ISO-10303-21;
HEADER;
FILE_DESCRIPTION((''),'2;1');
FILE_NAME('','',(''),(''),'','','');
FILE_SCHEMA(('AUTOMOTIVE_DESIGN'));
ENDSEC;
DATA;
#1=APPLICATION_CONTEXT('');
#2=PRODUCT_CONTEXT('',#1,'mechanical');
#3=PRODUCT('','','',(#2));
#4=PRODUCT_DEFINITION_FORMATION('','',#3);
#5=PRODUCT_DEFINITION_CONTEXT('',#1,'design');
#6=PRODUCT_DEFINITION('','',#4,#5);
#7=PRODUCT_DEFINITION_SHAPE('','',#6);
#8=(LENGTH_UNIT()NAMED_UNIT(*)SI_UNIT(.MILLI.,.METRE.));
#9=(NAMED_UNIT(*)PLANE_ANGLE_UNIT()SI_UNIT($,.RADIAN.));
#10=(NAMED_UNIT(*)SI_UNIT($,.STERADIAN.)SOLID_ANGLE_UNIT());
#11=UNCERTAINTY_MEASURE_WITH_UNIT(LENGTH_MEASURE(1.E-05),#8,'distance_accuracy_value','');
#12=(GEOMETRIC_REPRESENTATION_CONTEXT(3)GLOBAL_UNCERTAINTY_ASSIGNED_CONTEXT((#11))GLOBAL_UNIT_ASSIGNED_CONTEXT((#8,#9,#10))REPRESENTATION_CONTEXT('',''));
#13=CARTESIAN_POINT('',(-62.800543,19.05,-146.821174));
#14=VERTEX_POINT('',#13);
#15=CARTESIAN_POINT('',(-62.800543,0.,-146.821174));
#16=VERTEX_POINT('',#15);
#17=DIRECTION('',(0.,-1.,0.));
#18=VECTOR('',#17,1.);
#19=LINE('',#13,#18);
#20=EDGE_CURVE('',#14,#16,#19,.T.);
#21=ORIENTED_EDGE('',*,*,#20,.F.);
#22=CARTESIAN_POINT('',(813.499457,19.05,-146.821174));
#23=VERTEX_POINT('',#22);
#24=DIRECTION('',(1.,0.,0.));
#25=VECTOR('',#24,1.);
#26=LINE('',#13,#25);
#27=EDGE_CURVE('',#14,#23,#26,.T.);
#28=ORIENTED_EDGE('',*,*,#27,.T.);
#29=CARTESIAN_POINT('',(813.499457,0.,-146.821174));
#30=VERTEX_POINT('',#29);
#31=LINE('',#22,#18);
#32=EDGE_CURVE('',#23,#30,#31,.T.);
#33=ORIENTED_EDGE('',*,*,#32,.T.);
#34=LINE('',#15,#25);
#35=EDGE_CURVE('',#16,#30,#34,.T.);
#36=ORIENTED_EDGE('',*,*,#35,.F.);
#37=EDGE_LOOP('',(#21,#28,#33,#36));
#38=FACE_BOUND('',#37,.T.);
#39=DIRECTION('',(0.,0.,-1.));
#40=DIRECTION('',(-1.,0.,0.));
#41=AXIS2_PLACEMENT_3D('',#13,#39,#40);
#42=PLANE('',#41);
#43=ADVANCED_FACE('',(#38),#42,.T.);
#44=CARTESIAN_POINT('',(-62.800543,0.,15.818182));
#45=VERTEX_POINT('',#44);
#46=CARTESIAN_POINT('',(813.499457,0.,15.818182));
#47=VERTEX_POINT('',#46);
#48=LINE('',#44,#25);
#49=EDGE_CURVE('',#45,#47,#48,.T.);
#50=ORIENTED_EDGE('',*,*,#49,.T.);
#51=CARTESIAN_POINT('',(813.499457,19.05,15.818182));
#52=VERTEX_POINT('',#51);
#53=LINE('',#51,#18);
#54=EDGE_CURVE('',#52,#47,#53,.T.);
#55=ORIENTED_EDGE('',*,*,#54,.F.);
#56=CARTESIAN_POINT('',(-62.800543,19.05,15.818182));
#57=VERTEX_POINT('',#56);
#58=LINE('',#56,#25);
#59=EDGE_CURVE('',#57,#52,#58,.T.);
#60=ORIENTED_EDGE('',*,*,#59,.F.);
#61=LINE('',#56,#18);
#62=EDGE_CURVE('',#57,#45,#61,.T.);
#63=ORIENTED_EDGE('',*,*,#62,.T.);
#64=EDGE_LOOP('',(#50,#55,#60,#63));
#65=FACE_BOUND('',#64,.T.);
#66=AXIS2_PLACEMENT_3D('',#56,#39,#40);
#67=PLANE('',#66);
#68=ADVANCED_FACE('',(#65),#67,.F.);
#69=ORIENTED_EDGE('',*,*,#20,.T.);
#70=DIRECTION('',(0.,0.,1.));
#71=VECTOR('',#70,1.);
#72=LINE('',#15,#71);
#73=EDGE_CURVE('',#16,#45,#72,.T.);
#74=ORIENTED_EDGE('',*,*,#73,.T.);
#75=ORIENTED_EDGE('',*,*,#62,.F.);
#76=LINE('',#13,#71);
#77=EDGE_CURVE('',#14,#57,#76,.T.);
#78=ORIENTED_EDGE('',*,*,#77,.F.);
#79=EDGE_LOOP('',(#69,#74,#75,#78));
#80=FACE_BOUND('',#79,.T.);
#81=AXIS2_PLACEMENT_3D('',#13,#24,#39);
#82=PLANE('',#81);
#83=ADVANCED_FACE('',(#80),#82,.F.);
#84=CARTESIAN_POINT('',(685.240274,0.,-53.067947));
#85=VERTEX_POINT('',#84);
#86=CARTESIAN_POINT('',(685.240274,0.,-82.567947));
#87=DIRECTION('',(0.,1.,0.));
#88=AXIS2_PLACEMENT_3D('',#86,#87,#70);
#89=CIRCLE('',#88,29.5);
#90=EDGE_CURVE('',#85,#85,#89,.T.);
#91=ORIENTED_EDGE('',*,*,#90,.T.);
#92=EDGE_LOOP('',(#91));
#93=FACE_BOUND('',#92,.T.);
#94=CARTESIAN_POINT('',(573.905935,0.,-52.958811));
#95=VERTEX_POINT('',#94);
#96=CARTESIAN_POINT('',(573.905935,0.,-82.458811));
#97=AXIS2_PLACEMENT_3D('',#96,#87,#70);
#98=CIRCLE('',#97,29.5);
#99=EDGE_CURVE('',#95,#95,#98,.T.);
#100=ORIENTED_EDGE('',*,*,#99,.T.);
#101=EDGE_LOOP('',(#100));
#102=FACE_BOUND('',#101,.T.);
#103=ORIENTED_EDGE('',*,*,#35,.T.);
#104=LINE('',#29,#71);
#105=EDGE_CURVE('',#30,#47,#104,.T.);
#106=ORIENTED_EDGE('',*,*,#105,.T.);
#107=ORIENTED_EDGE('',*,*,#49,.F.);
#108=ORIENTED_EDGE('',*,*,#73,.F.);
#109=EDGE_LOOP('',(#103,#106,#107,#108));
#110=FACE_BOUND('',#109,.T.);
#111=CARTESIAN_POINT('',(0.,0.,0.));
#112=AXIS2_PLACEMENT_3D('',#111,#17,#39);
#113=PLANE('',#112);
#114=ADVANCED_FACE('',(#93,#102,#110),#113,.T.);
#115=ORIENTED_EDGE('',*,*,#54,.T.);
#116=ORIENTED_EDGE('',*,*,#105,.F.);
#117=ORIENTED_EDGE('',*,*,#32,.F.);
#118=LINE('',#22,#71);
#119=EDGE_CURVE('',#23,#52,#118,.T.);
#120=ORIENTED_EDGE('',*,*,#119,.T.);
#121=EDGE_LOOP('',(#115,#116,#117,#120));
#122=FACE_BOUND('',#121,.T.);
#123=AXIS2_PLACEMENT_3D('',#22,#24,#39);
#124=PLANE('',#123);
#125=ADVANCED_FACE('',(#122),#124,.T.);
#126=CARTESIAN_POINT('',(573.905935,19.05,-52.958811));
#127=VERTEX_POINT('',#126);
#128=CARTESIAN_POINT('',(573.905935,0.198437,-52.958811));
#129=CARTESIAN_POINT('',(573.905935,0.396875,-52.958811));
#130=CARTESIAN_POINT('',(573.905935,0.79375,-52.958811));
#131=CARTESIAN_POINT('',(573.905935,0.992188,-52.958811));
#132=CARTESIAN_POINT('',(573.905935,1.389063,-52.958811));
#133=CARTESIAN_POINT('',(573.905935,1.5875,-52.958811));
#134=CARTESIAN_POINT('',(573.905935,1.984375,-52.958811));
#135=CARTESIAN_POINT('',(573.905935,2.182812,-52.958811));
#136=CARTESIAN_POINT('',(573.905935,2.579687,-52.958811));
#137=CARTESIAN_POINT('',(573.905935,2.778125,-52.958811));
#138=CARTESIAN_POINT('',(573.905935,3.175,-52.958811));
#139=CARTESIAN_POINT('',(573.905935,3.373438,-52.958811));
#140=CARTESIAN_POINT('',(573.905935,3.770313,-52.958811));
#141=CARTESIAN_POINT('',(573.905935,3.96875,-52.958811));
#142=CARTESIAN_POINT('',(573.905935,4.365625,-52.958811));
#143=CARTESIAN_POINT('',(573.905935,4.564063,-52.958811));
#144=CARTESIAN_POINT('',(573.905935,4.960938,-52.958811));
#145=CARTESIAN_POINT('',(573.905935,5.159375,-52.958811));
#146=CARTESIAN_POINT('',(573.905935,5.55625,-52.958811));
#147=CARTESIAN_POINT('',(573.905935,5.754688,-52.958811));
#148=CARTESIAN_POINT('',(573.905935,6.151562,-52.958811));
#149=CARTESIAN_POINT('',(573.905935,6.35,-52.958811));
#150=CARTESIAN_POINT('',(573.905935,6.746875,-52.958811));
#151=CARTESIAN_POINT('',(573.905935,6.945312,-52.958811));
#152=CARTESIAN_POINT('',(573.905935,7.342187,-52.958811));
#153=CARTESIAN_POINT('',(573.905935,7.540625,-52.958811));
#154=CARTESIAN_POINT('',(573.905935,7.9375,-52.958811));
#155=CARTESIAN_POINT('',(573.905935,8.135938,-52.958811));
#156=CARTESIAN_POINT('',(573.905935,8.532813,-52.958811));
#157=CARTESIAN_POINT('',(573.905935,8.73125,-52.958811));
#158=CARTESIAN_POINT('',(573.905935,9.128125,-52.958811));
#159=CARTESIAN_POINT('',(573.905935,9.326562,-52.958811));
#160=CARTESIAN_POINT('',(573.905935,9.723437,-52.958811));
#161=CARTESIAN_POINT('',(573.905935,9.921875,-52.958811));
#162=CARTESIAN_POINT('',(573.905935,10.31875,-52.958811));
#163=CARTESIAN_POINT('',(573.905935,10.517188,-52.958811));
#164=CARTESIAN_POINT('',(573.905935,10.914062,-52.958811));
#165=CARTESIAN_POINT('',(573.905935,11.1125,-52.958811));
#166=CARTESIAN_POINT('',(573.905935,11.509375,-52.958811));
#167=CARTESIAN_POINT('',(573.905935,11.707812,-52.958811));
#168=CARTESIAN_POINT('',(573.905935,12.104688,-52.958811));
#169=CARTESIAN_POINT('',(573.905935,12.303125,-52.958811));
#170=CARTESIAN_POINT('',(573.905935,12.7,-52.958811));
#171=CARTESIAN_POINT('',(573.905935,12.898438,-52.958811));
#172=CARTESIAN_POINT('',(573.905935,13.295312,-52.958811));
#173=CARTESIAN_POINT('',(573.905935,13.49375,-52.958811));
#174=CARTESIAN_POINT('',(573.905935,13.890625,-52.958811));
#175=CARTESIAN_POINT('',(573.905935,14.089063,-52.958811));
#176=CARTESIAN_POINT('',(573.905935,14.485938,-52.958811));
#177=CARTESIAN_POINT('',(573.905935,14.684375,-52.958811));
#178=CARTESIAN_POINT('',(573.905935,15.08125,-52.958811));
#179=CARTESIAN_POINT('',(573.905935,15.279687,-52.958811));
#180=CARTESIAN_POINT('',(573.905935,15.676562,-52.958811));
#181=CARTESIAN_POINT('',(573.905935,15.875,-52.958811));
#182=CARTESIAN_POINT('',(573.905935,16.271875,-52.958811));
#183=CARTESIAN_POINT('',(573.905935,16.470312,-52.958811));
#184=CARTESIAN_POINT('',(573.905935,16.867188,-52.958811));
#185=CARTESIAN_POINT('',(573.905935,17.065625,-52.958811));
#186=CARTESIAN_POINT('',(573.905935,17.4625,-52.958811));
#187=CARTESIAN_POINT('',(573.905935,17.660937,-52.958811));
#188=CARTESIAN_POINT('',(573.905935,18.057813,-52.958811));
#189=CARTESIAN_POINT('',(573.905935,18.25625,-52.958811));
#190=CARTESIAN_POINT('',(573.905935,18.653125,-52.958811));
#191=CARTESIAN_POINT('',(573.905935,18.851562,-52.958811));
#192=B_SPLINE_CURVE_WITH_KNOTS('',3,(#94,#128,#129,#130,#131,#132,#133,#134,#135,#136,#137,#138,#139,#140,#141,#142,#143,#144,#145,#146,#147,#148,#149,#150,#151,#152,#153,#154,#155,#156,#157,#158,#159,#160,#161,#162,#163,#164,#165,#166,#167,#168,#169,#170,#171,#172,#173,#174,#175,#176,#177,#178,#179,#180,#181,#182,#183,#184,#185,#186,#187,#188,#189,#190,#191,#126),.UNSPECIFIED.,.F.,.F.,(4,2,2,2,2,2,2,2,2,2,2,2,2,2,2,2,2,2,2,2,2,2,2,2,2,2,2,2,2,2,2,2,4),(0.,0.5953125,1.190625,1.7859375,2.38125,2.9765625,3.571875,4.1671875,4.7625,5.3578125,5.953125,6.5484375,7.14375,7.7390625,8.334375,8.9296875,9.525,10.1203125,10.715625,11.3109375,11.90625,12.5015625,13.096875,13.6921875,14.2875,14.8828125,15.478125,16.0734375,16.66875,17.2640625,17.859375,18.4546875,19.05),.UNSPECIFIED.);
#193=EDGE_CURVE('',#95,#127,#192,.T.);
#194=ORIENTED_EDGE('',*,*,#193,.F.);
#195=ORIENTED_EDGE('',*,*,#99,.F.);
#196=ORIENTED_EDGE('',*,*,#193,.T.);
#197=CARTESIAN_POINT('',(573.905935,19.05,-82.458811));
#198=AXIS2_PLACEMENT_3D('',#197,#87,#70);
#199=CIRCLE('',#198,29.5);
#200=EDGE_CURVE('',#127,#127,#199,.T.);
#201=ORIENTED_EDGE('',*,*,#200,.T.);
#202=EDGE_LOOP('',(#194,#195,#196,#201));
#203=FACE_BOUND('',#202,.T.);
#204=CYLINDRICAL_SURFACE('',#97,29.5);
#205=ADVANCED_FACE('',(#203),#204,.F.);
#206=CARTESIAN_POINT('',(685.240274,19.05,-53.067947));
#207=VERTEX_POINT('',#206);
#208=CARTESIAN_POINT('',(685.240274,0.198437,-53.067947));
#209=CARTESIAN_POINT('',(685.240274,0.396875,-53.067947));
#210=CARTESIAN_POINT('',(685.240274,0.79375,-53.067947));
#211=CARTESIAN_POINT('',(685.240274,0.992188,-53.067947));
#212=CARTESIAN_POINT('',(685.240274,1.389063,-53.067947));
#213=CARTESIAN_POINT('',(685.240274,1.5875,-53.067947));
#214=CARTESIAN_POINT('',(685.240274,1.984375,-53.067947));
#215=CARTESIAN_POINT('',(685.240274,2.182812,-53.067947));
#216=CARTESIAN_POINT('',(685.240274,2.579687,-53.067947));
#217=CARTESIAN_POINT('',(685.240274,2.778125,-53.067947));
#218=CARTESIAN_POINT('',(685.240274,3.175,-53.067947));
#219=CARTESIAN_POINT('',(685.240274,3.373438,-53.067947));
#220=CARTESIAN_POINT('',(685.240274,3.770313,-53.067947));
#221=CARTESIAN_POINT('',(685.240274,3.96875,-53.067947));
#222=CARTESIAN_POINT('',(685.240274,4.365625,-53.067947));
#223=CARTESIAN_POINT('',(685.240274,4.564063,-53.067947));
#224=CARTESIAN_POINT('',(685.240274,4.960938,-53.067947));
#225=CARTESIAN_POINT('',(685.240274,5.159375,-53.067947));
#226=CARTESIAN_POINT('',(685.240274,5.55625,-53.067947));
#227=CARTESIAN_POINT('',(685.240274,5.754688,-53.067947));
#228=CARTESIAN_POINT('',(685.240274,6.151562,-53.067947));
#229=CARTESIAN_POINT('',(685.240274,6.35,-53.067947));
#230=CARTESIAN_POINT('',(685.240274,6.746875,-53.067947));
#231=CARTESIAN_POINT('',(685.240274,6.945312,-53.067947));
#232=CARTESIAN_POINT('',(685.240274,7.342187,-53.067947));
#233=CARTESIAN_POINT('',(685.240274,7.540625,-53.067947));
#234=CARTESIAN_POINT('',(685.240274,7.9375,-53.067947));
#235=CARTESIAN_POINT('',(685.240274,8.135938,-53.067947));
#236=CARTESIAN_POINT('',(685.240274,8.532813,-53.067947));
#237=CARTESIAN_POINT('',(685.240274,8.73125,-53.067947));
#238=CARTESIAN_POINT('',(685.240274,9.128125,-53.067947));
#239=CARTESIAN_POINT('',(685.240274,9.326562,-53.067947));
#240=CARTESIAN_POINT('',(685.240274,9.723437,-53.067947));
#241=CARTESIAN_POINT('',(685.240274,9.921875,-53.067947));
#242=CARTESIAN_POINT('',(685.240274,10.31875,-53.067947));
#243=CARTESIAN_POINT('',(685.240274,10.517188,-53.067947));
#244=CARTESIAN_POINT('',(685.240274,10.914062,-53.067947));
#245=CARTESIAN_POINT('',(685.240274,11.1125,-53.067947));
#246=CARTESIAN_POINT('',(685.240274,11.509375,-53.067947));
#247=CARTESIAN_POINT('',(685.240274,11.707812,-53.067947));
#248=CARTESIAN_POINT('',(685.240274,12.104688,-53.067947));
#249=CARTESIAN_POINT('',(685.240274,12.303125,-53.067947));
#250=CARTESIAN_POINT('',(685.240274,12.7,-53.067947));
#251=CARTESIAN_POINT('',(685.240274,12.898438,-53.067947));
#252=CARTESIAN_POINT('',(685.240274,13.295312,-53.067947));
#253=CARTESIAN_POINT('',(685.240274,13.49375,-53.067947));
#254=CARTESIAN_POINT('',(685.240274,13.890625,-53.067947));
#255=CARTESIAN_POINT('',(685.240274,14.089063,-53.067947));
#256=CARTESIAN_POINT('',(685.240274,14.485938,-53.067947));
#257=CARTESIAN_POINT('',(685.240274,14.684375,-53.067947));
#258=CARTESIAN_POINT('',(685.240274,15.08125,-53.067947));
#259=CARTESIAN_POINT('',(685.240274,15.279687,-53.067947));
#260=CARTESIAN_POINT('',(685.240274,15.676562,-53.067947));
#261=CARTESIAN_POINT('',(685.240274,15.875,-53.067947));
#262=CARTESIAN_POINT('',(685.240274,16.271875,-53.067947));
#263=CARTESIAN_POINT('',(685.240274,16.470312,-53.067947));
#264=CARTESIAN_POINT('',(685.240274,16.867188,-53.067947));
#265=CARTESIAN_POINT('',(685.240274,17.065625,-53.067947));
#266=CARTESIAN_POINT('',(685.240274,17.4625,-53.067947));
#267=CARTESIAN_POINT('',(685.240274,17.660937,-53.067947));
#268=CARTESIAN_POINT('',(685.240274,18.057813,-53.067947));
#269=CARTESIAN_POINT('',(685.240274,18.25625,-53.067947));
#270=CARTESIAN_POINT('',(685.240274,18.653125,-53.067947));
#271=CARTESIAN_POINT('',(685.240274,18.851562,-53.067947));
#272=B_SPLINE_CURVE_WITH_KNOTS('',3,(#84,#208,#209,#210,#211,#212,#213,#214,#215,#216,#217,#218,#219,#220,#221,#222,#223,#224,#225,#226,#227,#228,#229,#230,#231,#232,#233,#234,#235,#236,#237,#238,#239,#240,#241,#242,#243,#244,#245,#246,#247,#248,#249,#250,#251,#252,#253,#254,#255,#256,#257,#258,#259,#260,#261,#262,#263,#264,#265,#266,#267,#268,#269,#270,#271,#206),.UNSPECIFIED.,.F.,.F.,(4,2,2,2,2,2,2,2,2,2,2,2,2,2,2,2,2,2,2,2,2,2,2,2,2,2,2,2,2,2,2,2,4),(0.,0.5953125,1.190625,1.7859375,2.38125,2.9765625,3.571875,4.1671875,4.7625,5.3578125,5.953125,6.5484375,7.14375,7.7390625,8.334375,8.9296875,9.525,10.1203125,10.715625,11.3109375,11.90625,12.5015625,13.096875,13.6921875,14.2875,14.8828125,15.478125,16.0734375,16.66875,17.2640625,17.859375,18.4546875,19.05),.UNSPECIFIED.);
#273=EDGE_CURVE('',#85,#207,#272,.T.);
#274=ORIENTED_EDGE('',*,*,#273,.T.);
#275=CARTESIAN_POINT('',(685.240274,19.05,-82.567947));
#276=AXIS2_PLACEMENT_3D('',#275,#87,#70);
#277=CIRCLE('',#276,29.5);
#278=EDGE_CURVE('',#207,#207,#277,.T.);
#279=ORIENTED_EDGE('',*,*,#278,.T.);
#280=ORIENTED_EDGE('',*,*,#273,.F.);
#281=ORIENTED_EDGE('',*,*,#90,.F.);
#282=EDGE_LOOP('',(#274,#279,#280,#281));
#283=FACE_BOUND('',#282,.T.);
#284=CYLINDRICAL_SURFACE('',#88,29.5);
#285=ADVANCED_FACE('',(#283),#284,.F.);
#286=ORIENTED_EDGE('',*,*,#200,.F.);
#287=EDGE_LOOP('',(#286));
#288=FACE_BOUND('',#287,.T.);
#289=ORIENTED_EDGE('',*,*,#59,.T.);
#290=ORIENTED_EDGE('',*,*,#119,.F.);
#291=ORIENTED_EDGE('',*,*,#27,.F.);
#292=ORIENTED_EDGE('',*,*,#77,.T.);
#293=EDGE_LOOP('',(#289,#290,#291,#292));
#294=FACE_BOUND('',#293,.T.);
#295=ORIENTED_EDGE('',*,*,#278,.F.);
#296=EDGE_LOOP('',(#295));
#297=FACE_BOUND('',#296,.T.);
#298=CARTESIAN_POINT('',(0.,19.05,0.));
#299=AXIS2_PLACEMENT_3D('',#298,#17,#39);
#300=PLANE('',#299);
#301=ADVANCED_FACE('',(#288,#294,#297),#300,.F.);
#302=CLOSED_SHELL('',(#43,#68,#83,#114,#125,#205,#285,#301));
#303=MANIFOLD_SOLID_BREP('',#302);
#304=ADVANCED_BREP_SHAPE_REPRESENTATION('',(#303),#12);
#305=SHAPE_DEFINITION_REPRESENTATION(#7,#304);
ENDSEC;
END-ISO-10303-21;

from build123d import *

# Parameters (mm, degrees)
SKETCH1_W           = 876.3
SKETCH1_H           = 162.639355696
BOSS_EXTRUDE1_DEPTH = 19.05
SKETCH3_R           = 29.499999928
CUT_EXTRUDE1_DEPTH  = 19.05
SKETCH2_R           = 29.499999928
CUT_EXTRUDE2_DEPTH  = 19.05


with BuildPart() as part:
    # Sketch1 → Boss-Extrude1 (new body)
    with BuildSketch(Plane(origin=(0, 0, 0), x_dir=(1, 0, 0), z_dir=(0, 1, 0))):
        with Locations((375.34945696, 65.501495954)):
            Rectangle(SKETCH1_W, SKETCH1_H)
    extrude(amount=BOSS_EXTRUDE1_DEPTH)

    # Sketch3 → Cut-Extrude1 (cut)
    with BuildSketch(Plane(origin=(0, 19.05, 0), x_dir=(1, 0, 0), z_dir=(0, 1, 0))):
        with Locations(Location((573.905935058, 82.4588113, 0), (0, 0, 270))):
            Circle(SKETCH3_R)
    extrude(amount=-CUT_EXTRUDE1_DEPTH, mode=Mode.SUBTRACT)

    # Sketch2 → Cut-Extrude2 (cut)
    with BuildSketch(Plane(origin=(0, 19.05, 0), x_dir=(1, 0, 0), z_dir=(0, 1, 0))):
        with Locations(Location((685.24027425, 82.567946762, 0), (0, 0, 270))):
            Circle(SKETCH2_R)
    extrude(amount=-CUT_EXTRUDE2_DEPTH, mode=Mode.SUBTRACT)


solid = part.part
